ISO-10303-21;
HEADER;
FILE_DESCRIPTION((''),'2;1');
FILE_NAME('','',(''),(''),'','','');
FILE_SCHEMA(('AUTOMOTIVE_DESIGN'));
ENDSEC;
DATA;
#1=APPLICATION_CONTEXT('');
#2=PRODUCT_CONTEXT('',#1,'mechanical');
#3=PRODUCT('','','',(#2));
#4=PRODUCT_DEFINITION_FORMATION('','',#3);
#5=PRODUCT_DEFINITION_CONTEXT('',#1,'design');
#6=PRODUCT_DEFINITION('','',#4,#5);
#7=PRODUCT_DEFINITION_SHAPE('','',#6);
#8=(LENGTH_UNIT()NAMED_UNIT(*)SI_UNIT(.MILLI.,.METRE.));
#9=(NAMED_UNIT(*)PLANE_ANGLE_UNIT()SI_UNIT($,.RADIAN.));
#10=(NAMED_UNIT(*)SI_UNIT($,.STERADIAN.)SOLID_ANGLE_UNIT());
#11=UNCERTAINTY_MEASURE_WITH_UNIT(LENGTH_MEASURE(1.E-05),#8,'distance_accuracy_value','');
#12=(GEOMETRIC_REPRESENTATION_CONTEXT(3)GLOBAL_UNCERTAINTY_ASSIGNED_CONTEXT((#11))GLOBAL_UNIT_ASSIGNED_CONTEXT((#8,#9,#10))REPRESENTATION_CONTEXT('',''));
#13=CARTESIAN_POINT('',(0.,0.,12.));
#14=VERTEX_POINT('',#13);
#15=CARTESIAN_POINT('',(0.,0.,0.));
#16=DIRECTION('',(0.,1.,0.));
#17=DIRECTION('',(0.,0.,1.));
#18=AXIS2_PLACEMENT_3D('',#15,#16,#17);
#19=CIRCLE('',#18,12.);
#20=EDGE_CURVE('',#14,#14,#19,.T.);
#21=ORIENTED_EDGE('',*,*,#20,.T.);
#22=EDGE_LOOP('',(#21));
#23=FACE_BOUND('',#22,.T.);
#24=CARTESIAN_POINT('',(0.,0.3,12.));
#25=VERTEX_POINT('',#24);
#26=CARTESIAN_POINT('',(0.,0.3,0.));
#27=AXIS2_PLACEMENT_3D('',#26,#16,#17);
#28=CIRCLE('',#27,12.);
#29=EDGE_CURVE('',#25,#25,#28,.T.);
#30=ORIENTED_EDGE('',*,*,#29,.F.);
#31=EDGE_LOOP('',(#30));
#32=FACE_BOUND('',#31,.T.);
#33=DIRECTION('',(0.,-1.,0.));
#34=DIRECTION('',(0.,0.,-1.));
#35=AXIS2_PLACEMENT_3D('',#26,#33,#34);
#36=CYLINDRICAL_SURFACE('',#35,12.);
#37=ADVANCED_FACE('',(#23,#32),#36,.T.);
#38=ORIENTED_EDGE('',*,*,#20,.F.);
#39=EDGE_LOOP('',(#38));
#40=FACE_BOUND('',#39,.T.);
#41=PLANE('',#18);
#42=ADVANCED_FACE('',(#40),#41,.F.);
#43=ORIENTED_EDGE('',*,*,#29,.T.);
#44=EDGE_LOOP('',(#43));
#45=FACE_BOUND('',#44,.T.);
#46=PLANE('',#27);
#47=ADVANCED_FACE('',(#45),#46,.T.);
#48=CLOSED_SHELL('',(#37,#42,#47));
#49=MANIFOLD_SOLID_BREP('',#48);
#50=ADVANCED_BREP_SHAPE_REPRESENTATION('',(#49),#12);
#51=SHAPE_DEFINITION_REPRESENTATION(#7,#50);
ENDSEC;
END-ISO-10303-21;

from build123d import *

# Parameters (mm, degrees)
SZKIC1_R                    = 12
DODANIE_WYCI_GNI_CIE1_DEPTH = 0.3


with BuildPart() as part:
    # Szkic1 → Dodanie-wyciągnięcie1 (new body)
    with BuildSketch(Plane(origin=(0, 0, 0), x_dir=(1, 0, 0), z_dir=(0, 1, 0))):
        with Locations(Location((0, 0, 0), (0, 0, 270))):
            Circle(SZKIC1_R)
    extrude(amount=DODANIE_WYCI_GNI_CIE1_DEPTH)


solid = part.part
